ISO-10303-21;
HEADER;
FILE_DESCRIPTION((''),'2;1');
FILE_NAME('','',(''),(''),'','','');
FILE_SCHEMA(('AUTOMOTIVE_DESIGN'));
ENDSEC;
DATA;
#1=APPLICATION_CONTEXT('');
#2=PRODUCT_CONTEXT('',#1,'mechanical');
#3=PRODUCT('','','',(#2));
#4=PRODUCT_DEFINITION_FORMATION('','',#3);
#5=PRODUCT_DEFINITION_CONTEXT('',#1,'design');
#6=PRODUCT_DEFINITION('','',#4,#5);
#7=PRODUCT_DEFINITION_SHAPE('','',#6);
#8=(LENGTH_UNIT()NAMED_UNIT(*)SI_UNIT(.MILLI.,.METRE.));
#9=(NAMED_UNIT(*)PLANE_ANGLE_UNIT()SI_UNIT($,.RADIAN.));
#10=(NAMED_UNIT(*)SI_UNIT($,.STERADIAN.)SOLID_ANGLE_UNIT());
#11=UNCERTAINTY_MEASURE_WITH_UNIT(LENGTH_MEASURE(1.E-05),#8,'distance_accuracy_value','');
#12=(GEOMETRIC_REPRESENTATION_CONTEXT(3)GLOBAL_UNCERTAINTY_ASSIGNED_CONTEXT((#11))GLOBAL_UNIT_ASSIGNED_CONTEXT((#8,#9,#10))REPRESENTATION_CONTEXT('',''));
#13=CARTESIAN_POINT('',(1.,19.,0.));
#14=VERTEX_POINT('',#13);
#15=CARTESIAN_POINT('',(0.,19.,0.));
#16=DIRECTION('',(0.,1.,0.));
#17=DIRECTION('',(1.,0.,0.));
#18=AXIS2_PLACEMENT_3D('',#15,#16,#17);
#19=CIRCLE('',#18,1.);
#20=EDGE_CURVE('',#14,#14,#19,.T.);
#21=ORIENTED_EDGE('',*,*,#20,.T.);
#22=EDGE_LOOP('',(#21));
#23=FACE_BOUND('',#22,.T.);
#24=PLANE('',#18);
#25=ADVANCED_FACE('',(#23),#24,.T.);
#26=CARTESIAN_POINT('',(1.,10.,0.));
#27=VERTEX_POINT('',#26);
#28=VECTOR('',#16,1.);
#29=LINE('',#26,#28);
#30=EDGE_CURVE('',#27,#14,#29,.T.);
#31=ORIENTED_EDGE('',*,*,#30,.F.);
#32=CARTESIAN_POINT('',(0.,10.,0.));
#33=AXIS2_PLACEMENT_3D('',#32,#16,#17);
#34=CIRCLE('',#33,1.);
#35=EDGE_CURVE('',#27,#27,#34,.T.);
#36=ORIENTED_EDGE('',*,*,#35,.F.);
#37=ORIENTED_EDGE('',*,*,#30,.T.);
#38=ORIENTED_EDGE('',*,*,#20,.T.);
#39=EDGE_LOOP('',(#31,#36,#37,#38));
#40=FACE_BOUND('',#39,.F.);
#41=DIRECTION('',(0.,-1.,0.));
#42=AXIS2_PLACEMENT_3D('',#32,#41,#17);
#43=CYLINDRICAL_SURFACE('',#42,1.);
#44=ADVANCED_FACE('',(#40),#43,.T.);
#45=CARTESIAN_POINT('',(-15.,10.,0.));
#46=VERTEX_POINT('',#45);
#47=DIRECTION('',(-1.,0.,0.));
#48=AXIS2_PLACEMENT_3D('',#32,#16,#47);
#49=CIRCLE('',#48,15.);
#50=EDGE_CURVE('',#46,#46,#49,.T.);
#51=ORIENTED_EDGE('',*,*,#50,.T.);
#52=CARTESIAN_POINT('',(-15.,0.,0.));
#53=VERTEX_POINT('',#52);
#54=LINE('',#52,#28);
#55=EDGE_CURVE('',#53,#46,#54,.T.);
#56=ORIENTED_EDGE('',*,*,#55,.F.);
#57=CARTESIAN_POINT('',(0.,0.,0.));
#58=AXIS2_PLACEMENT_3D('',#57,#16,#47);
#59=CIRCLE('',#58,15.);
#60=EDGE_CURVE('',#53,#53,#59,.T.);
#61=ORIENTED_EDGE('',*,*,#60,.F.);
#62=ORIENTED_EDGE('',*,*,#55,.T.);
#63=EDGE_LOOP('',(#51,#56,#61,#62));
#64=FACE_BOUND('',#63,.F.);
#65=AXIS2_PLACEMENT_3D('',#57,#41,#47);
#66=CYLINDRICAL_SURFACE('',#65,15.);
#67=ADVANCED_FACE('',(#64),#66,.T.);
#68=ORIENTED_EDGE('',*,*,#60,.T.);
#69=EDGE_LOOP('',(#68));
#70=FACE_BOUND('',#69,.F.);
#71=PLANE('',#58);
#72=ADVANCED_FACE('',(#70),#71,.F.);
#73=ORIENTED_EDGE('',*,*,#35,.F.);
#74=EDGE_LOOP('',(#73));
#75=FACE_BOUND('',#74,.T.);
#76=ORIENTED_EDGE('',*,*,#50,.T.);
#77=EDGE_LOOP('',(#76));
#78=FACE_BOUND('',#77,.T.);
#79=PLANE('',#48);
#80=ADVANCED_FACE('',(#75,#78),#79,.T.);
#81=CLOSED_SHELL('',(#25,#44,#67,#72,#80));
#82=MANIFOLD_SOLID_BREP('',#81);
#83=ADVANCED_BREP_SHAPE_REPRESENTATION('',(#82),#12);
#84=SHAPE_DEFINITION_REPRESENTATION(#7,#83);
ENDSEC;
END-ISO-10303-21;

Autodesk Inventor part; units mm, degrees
ref_plane "YZ Plane" through (0, 0, 0) normal (1, 0, 0) x (0, 1, 0)
ref_plane "XZ Plane" through (0, 0, 0) normal (0, 1, 0) x (-1, 0, 0)
ref_plane "XY Plane" through (0, 0, 0) normal (0, 0, 1) x (1, 0, 0)
sketch "Náčrt2" plane through (0, 0, 0) normal (0, 1, 0) x (-1, 0, 0)
  circle A0 centre (0, 0) radius 15
  dimension "d0" = 30
extrude "Vysunutí1" add sketch "Náčrt2" along normal blind 10
sketch "Náčrt3" plane through (0, 10, 0) normal (0, 1, 0) x (1, 0, 0)
  circle A0 centre (0, 0) radius 1
  dimension "d3" = 2
extrude "Vysunutí2" add sketch "Náčrt3" along normal blind 9
properties part number "pacicka" material "Guma, silikonová"
